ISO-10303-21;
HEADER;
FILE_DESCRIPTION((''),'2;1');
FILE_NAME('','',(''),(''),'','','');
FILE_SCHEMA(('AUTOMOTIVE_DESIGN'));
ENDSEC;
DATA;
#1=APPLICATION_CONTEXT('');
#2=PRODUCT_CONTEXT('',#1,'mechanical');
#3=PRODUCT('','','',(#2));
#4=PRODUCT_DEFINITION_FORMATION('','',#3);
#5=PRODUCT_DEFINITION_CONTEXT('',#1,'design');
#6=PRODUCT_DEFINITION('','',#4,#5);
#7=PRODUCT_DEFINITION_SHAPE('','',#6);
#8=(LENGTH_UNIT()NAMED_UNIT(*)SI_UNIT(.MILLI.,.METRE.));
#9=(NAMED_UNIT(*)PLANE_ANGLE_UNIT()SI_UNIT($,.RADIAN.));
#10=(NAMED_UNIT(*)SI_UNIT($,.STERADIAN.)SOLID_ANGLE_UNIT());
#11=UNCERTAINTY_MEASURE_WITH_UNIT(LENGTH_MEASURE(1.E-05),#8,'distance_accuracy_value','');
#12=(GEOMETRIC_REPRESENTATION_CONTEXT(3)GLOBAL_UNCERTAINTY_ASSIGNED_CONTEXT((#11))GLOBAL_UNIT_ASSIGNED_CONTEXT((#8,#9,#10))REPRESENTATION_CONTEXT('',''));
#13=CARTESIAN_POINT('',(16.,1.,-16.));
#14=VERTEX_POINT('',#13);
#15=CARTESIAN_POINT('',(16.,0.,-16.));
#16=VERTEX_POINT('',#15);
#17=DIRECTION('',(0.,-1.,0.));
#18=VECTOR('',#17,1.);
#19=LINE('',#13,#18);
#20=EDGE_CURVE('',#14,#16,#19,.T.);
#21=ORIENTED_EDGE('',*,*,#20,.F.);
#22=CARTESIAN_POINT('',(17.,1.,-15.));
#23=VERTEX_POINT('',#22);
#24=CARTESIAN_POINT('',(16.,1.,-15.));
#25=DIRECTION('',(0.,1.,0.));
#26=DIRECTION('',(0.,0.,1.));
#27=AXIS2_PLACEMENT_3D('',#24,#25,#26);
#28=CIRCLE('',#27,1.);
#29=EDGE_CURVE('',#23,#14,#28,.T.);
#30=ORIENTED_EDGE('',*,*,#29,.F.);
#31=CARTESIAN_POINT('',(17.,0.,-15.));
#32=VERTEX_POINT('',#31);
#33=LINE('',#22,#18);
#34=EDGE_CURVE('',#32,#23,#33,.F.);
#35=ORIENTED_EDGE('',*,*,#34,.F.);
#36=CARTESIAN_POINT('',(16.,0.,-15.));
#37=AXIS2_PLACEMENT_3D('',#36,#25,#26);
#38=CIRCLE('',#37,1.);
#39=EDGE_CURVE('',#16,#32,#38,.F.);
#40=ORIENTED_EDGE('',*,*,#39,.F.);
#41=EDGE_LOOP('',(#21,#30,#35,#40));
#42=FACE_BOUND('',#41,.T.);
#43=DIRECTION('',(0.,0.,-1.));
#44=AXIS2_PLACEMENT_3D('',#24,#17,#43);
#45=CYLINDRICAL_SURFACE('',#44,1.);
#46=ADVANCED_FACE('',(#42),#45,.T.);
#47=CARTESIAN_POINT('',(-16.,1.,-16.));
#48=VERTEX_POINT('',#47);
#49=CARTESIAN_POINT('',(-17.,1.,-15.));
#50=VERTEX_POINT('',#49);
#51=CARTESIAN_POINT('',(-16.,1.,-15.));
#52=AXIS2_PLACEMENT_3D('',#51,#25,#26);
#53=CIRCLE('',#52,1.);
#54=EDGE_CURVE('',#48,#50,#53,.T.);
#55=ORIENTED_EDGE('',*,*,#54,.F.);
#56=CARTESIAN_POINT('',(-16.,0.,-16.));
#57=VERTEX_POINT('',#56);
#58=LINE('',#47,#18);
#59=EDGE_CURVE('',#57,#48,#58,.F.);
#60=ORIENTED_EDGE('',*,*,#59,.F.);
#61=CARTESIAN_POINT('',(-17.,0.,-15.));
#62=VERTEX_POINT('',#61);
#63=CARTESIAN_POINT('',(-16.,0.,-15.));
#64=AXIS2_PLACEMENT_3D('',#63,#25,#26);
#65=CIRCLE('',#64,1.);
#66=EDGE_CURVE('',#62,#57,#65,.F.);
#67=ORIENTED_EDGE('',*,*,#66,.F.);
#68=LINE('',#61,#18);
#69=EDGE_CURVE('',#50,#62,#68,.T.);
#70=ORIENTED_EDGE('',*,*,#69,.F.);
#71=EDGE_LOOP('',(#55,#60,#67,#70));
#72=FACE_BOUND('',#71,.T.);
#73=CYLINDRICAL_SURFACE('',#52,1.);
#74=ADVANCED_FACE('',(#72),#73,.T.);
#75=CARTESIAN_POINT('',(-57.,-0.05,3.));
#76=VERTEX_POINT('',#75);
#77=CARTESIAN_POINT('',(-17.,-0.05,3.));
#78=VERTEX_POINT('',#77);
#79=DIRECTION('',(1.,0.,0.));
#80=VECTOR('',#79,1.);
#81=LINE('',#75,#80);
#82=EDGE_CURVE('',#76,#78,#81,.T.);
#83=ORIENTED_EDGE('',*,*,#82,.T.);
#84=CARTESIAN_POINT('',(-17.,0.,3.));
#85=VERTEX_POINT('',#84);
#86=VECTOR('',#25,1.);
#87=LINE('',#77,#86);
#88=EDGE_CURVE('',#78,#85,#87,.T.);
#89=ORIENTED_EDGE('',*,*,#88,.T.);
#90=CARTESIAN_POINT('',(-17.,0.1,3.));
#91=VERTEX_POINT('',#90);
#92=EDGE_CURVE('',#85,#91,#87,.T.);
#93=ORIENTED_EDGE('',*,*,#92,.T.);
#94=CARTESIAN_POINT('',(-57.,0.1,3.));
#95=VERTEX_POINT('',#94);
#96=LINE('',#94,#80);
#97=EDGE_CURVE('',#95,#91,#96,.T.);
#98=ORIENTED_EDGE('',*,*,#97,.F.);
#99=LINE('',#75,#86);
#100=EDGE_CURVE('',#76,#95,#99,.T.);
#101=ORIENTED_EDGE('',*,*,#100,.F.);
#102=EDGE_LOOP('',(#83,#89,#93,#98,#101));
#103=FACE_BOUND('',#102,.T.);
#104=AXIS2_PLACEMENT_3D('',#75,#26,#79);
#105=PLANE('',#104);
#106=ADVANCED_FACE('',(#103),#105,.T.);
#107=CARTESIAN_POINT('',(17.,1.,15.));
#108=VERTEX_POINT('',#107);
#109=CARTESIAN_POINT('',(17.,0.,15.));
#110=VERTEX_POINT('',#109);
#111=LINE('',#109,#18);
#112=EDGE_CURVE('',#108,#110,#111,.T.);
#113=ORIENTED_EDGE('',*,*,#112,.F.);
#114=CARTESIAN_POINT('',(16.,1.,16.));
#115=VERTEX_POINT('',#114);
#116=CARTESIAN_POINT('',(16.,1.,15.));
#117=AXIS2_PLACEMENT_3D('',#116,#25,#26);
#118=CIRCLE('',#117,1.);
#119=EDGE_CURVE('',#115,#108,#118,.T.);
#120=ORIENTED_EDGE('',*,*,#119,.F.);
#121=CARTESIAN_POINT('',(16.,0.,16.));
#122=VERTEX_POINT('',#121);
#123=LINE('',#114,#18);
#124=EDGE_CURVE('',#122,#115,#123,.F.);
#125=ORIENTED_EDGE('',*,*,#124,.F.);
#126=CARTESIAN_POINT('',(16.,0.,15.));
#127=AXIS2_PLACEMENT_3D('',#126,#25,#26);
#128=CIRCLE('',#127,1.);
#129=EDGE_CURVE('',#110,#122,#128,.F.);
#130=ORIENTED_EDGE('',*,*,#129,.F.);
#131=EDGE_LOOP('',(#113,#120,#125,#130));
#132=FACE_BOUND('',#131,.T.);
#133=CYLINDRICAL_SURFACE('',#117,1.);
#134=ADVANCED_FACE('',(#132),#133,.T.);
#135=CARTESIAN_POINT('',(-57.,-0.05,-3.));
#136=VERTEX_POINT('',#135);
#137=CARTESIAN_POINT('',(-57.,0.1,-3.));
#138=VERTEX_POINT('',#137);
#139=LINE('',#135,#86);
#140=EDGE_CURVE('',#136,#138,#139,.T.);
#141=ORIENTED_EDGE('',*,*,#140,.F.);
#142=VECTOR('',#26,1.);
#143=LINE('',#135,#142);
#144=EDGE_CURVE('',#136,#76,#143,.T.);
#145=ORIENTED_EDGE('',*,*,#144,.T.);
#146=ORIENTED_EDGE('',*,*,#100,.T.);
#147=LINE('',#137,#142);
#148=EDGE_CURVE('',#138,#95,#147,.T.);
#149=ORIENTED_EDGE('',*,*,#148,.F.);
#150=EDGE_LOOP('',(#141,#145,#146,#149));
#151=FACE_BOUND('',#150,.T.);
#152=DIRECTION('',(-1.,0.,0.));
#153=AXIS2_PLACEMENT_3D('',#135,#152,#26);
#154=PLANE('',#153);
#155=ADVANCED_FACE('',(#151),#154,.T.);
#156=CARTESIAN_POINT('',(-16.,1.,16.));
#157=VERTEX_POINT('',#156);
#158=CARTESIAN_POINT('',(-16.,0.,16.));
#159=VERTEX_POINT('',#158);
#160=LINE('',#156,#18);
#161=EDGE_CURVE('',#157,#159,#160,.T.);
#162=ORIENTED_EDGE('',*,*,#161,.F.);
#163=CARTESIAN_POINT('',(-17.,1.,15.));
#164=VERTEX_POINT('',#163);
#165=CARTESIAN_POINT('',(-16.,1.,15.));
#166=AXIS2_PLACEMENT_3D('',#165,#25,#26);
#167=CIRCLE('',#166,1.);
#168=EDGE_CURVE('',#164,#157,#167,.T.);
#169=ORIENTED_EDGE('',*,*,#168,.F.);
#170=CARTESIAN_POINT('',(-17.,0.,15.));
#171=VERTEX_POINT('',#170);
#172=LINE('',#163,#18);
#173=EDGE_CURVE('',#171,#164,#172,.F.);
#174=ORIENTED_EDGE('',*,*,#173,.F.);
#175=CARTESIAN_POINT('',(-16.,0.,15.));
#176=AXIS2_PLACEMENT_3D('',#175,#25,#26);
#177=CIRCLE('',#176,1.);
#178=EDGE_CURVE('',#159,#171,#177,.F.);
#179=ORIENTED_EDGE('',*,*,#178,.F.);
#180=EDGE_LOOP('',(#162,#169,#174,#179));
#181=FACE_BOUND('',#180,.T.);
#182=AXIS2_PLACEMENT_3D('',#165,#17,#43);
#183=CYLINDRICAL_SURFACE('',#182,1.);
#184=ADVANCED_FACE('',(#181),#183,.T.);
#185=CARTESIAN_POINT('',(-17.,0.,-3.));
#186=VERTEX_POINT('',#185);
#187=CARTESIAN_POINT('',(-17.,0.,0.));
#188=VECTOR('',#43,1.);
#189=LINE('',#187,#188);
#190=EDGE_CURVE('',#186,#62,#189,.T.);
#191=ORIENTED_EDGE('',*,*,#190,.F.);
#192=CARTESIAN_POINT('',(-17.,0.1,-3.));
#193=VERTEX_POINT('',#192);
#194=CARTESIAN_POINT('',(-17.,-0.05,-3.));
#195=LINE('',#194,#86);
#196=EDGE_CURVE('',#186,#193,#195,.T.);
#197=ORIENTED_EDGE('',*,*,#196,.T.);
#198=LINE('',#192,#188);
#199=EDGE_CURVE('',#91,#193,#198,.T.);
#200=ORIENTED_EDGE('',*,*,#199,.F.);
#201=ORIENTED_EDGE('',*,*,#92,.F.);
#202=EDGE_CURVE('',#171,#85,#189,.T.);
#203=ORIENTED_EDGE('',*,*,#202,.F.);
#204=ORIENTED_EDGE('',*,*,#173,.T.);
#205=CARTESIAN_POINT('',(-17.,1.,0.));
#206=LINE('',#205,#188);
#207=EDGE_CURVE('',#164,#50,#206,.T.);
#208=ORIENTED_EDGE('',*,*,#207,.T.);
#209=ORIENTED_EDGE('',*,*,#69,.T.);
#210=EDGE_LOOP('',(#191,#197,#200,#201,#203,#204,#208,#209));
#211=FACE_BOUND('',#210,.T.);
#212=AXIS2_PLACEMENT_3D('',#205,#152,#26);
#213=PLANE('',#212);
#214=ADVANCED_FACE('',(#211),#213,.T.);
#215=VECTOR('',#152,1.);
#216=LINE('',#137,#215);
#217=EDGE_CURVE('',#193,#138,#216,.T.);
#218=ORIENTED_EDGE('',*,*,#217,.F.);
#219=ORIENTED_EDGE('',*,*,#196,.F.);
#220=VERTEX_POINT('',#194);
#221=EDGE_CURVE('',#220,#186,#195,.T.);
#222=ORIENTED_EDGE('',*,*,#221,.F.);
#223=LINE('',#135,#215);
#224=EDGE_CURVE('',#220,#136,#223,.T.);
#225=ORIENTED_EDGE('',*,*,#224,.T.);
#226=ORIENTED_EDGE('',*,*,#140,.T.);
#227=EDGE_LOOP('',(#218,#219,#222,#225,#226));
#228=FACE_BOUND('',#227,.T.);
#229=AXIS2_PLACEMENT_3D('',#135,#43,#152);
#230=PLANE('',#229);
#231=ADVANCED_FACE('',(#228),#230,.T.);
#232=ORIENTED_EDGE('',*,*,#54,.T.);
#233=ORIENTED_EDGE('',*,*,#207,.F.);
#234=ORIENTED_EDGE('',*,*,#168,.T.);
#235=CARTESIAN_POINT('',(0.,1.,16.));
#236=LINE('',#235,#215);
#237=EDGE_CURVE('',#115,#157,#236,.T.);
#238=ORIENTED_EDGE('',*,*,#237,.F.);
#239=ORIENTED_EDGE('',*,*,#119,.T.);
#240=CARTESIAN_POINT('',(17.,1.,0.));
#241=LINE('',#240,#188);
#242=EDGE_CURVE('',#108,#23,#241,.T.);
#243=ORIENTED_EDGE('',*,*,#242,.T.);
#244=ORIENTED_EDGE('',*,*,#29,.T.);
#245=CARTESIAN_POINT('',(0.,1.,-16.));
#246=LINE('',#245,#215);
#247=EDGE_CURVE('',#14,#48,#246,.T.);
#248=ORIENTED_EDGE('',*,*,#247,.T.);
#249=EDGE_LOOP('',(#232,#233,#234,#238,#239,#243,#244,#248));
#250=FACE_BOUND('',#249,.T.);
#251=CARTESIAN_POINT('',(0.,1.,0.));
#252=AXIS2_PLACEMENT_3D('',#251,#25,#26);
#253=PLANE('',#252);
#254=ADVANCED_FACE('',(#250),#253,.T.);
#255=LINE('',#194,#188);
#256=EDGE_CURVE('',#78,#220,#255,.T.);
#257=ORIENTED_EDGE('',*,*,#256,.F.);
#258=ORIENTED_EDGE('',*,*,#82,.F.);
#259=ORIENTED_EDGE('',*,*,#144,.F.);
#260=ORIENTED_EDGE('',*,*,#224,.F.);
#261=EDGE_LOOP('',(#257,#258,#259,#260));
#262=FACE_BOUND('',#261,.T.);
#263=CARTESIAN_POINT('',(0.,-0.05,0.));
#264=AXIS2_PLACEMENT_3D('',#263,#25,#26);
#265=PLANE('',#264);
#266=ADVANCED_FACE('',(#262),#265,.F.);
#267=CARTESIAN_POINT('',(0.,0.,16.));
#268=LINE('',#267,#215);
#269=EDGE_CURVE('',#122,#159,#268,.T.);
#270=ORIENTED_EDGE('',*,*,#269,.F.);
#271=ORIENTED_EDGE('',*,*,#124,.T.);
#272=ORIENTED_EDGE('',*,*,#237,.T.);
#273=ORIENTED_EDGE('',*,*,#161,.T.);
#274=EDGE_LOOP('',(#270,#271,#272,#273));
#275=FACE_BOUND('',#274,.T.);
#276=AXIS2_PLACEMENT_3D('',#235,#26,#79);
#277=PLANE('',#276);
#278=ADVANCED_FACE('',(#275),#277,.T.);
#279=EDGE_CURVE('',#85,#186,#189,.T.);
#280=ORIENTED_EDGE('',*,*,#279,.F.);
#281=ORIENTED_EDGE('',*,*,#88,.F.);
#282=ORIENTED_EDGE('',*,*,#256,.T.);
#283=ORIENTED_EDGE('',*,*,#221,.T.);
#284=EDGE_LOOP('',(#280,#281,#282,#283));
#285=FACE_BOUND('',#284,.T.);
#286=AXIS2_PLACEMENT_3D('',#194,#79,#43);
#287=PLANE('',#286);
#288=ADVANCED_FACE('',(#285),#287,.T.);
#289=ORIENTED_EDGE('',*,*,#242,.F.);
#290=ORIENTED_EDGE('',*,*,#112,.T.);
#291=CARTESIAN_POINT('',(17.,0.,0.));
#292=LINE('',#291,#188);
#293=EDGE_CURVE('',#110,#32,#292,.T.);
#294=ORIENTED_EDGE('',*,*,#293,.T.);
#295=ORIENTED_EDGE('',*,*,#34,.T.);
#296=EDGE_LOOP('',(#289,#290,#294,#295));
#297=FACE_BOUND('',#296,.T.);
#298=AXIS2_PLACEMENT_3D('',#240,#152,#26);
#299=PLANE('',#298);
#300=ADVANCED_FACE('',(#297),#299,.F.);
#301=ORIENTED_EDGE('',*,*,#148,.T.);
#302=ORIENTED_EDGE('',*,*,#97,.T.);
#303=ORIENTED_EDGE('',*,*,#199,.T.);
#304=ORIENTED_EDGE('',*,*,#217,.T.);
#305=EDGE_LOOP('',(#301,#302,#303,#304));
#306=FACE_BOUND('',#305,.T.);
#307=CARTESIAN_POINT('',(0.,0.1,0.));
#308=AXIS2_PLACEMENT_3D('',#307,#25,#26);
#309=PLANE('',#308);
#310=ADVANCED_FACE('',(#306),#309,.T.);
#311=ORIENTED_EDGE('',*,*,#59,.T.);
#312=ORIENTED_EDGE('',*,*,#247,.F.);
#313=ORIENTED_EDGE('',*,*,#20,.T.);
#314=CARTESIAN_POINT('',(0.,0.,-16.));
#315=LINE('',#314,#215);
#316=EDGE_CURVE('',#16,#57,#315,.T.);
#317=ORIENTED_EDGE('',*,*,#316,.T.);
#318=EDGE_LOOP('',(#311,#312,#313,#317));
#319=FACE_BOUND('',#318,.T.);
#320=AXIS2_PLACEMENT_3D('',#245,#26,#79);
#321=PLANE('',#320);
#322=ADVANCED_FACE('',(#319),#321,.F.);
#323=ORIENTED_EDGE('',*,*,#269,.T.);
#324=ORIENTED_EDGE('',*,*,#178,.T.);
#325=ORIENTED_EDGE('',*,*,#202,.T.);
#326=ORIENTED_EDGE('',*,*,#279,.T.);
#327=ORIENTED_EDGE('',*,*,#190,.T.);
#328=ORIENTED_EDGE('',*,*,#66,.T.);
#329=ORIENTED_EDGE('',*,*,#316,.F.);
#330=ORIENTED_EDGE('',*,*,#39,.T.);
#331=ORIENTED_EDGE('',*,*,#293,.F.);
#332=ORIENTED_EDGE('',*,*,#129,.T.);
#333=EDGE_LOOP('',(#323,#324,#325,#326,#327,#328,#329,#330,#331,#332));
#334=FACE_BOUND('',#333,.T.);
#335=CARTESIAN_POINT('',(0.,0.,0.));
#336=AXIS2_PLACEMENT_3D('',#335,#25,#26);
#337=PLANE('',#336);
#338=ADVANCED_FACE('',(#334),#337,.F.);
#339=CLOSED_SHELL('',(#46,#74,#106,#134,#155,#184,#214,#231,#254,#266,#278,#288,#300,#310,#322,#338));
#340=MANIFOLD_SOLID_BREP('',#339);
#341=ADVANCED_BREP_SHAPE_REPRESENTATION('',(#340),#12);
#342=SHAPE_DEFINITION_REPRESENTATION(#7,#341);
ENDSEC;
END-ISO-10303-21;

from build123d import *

# Parameters (mm, degrees)
SKETCH_1_W           = 34
SKETCH_1_H           = 32
EXTRUDE_1_DEPTH      = 1
EXTRUDE_2_DEPTH      = 0.1
EXTRUDE_2_DEPTH_BACK = 0.05
SKETCH_2_W           = 40
SKETCH_2_H           = 6
FILLET_1_R           = 1


with BuildPart() as part:
    # 草圖1 → 填料-伸長1 (new body)
    with BuildSketch(Plane(origin=(0, 0, 0), x_dir=(1, 0, 0), z_dir=(0, 1, 0))):
        Rectangle(SKETCH_1_W, SKETCH_1_H)
    extrude(amount=EXTRUDE_1_DEPTH)

    # 草圖2 → 填料-伸長2 (add, two sides: drawn at the far end of the back side and taken through both)
    with BuildSketch(Plane(origin=(0, 0, 0), x_dir=(1, 0, 0), z_dir=(0, 1, 0)).offset(-EXTRUDE_2_DEPTH_BACK)):
        with Locations((-37, 0)):
            Rectangle(SKETCH_2_W, SKETCH_2_H)
    extrude(amount=EXTRUDE_2_DEPTH + EXTRUDE_2_DEPTH_BACK)

    # 圓角1
    fillet_1_edges = [part.edges().sort_by_distance(p)[0] for p in [
        (-17, 0.5, -16),
        (17, 0.5, -16),
        (17, 0.5, 16),
        (-17, 0.5, 16),
    ]]
    fillet(fillet_1_edges, radius=FILLET_1_R)


solid = part.part
